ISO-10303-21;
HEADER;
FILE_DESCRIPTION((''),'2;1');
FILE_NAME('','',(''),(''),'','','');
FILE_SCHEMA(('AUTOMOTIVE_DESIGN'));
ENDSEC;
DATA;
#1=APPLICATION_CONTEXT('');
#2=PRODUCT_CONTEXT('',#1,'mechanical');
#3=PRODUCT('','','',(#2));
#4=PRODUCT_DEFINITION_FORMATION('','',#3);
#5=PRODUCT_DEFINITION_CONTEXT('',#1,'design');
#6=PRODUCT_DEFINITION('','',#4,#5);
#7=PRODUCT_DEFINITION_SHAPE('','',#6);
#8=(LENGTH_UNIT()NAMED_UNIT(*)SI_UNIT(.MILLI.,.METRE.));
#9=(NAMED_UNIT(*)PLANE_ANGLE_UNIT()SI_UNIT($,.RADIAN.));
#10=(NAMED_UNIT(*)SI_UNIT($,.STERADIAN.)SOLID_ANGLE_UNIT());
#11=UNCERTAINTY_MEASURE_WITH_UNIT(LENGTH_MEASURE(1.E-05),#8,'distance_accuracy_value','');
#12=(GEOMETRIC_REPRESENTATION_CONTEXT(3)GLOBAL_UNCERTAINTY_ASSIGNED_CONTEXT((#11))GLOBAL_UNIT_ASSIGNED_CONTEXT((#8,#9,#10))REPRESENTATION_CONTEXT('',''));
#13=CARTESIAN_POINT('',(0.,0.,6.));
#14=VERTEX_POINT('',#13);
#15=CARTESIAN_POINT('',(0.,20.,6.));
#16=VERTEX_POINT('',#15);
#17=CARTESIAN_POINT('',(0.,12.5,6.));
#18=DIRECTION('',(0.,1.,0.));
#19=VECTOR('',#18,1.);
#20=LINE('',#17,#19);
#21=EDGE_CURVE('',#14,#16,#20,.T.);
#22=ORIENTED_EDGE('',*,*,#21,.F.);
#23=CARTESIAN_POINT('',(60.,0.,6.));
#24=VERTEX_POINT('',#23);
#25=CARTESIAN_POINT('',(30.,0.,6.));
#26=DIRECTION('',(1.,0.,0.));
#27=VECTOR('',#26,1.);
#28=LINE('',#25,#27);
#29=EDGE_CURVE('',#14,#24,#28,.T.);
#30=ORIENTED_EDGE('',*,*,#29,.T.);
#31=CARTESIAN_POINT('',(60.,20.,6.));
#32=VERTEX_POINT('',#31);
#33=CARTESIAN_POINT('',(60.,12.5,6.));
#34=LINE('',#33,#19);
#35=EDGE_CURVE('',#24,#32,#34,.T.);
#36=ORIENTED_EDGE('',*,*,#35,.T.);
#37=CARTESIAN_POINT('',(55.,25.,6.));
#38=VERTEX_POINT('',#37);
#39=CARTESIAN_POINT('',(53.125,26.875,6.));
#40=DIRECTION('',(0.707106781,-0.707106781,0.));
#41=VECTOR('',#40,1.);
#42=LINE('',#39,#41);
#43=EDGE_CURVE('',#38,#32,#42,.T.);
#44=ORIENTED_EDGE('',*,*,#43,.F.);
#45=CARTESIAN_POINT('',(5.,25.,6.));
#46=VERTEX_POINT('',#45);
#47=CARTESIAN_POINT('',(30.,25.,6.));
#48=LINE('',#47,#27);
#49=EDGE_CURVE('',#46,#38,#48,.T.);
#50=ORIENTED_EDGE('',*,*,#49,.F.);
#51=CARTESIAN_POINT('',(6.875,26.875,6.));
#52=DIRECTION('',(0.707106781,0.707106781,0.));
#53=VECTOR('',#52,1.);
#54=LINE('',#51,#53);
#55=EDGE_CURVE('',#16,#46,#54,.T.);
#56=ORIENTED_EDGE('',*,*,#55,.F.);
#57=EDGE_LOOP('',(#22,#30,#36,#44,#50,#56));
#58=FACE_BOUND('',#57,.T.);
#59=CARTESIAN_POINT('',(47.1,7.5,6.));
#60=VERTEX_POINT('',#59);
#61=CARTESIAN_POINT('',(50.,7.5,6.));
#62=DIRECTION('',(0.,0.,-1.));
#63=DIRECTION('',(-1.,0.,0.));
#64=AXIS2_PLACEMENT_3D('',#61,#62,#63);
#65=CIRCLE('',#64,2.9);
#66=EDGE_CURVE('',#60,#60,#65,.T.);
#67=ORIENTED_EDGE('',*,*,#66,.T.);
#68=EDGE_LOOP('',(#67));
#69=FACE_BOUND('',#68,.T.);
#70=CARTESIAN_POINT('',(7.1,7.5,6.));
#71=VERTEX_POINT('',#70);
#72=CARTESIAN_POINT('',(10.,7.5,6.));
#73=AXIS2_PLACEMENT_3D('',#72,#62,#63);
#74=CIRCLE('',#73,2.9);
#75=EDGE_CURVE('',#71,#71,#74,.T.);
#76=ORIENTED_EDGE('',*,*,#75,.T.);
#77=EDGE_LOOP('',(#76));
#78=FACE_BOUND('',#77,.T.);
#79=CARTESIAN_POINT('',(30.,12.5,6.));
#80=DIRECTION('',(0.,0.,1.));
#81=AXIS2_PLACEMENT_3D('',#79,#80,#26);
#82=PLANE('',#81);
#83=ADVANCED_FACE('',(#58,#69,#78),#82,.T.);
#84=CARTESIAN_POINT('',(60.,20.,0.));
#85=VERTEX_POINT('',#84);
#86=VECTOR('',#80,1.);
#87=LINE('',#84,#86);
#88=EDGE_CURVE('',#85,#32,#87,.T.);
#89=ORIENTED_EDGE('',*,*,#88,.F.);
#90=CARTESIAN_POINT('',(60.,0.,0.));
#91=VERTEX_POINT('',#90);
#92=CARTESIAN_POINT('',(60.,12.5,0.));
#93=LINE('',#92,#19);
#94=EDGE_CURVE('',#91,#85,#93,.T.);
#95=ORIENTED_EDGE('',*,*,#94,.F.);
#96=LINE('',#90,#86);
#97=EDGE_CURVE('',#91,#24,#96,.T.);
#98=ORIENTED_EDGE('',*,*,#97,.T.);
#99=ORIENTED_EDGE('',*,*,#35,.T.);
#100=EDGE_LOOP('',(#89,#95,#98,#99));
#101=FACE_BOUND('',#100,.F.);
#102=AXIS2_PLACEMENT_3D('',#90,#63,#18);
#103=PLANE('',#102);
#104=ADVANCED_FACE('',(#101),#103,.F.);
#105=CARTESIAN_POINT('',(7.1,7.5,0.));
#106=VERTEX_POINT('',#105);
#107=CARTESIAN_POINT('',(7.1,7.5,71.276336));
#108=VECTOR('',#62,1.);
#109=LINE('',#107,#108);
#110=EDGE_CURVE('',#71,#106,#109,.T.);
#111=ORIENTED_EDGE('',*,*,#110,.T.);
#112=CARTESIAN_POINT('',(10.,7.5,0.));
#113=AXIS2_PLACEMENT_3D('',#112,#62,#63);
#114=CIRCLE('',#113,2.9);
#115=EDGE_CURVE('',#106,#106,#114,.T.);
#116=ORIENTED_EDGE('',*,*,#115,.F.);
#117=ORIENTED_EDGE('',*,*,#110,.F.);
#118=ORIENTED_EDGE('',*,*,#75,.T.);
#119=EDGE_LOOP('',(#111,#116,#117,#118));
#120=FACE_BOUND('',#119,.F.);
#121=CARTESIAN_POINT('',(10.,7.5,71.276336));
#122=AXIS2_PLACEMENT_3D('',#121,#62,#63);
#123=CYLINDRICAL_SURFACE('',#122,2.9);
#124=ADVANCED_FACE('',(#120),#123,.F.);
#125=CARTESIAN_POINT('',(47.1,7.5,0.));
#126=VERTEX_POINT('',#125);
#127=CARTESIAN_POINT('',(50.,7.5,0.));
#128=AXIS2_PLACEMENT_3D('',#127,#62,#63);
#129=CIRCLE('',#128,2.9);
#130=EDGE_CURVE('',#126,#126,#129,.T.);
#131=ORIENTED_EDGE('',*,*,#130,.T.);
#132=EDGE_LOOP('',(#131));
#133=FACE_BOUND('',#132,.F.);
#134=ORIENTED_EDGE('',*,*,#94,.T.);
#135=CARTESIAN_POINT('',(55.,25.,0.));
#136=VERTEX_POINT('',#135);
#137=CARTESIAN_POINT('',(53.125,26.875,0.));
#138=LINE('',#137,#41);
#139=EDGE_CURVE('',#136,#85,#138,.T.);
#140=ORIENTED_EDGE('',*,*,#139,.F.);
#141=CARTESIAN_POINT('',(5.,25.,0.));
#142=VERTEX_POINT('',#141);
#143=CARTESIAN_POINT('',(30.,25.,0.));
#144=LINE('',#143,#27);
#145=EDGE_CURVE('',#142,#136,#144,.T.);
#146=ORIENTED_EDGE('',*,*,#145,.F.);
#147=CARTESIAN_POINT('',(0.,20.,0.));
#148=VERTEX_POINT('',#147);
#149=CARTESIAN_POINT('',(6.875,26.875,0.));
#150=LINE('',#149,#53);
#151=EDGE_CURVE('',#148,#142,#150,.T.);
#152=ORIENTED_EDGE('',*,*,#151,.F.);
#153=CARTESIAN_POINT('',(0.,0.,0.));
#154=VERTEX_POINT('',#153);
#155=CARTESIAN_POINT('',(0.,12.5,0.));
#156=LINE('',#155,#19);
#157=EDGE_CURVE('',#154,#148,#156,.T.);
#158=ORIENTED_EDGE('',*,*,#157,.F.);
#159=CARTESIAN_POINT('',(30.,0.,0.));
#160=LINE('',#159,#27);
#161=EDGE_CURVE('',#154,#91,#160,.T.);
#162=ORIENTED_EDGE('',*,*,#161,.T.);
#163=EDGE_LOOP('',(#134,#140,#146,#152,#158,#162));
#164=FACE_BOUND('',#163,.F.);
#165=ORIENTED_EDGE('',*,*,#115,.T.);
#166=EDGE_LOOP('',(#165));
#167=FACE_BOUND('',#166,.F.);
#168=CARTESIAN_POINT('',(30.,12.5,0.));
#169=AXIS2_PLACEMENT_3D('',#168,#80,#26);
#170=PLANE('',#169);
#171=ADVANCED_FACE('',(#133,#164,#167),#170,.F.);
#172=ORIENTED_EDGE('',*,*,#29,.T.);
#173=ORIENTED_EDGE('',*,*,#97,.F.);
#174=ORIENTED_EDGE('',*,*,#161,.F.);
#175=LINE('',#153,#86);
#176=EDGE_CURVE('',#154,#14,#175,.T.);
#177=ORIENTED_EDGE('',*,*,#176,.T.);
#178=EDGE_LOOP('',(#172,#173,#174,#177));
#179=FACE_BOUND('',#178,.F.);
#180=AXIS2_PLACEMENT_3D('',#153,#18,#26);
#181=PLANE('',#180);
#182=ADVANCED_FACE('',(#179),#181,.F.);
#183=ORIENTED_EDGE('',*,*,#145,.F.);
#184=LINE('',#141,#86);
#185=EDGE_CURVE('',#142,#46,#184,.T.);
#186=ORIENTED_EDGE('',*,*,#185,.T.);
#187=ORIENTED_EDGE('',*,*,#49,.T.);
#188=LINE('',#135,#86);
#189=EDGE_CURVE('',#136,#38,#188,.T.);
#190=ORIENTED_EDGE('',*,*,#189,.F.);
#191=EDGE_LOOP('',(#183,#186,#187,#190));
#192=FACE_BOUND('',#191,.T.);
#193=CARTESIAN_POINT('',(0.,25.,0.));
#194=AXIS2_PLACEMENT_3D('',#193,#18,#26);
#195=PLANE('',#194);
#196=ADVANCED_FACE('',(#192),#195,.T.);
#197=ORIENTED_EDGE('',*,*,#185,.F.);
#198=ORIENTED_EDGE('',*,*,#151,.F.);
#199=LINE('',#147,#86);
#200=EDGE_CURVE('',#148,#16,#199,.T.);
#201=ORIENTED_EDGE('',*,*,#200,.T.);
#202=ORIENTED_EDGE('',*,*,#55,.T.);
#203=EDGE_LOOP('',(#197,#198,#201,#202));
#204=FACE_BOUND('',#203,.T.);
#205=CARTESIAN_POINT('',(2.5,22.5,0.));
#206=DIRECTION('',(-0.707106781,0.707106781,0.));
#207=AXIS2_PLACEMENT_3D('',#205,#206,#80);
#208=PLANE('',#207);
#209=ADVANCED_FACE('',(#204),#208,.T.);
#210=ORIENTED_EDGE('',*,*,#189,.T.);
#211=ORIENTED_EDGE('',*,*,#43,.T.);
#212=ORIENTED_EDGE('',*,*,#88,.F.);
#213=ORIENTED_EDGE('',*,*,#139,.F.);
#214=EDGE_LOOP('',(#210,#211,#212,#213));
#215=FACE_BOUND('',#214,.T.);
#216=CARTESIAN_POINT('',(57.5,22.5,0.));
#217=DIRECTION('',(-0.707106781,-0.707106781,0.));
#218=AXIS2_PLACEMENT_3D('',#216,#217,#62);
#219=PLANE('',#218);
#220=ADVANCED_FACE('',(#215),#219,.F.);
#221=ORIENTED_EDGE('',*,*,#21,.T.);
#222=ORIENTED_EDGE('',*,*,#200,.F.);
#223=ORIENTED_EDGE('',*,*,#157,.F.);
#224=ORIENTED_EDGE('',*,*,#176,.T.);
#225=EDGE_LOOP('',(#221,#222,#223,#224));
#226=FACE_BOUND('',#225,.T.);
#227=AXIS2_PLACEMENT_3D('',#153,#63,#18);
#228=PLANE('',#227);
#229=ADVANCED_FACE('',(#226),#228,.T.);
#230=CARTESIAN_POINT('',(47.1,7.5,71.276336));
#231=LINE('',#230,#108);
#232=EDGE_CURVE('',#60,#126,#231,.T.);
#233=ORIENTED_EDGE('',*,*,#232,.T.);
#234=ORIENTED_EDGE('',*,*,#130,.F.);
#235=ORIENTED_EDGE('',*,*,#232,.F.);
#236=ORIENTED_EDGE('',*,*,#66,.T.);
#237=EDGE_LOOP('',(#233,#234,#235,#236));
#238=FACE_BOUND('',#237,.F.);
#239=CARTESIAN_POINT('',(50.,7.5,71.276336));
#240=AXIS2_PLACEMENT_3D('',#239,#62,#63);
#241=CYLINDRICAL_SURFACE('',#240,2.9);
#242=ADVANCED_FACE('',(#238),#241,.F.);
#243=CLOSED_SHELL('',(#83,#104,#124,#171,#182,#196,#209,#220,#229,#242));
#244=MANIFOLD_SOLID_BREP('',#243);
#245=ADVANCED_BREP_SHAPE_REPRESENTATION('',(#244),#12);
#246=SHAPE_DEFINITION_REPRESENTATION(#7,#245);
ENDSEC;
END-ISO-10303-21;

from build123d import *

# Parameters (mm, degrees)
F0_W     = 60
F0_H     = 25
F1_DEPTH = 6
F3_D     = 5.8
F4_SIZE  = 5


with BuildPart() as f1:
    # F0 (on Top) → F1 (new body)
    with BuildSketch(Plane.XY):
        with Locations((30, 12.5)):
            Rectangle(F0_W, F0_H)
    extrude(amount=F1_DEPTH)

    # F3 (through all)
    with Locations(Plane.XY.offset(6)):
        with Locations((50, 7.5), (10, 7.5)):
            Hole(F3_D / 2)

    # F4
    f4_edges = [f1.edges().sort_by_distance(p)[0] for p in [
        (60, 25, 3),
        (0, 25, 3),
    ]]
    chamfer(f4_edges, length=F4_SIZE)


solid = f1.part
